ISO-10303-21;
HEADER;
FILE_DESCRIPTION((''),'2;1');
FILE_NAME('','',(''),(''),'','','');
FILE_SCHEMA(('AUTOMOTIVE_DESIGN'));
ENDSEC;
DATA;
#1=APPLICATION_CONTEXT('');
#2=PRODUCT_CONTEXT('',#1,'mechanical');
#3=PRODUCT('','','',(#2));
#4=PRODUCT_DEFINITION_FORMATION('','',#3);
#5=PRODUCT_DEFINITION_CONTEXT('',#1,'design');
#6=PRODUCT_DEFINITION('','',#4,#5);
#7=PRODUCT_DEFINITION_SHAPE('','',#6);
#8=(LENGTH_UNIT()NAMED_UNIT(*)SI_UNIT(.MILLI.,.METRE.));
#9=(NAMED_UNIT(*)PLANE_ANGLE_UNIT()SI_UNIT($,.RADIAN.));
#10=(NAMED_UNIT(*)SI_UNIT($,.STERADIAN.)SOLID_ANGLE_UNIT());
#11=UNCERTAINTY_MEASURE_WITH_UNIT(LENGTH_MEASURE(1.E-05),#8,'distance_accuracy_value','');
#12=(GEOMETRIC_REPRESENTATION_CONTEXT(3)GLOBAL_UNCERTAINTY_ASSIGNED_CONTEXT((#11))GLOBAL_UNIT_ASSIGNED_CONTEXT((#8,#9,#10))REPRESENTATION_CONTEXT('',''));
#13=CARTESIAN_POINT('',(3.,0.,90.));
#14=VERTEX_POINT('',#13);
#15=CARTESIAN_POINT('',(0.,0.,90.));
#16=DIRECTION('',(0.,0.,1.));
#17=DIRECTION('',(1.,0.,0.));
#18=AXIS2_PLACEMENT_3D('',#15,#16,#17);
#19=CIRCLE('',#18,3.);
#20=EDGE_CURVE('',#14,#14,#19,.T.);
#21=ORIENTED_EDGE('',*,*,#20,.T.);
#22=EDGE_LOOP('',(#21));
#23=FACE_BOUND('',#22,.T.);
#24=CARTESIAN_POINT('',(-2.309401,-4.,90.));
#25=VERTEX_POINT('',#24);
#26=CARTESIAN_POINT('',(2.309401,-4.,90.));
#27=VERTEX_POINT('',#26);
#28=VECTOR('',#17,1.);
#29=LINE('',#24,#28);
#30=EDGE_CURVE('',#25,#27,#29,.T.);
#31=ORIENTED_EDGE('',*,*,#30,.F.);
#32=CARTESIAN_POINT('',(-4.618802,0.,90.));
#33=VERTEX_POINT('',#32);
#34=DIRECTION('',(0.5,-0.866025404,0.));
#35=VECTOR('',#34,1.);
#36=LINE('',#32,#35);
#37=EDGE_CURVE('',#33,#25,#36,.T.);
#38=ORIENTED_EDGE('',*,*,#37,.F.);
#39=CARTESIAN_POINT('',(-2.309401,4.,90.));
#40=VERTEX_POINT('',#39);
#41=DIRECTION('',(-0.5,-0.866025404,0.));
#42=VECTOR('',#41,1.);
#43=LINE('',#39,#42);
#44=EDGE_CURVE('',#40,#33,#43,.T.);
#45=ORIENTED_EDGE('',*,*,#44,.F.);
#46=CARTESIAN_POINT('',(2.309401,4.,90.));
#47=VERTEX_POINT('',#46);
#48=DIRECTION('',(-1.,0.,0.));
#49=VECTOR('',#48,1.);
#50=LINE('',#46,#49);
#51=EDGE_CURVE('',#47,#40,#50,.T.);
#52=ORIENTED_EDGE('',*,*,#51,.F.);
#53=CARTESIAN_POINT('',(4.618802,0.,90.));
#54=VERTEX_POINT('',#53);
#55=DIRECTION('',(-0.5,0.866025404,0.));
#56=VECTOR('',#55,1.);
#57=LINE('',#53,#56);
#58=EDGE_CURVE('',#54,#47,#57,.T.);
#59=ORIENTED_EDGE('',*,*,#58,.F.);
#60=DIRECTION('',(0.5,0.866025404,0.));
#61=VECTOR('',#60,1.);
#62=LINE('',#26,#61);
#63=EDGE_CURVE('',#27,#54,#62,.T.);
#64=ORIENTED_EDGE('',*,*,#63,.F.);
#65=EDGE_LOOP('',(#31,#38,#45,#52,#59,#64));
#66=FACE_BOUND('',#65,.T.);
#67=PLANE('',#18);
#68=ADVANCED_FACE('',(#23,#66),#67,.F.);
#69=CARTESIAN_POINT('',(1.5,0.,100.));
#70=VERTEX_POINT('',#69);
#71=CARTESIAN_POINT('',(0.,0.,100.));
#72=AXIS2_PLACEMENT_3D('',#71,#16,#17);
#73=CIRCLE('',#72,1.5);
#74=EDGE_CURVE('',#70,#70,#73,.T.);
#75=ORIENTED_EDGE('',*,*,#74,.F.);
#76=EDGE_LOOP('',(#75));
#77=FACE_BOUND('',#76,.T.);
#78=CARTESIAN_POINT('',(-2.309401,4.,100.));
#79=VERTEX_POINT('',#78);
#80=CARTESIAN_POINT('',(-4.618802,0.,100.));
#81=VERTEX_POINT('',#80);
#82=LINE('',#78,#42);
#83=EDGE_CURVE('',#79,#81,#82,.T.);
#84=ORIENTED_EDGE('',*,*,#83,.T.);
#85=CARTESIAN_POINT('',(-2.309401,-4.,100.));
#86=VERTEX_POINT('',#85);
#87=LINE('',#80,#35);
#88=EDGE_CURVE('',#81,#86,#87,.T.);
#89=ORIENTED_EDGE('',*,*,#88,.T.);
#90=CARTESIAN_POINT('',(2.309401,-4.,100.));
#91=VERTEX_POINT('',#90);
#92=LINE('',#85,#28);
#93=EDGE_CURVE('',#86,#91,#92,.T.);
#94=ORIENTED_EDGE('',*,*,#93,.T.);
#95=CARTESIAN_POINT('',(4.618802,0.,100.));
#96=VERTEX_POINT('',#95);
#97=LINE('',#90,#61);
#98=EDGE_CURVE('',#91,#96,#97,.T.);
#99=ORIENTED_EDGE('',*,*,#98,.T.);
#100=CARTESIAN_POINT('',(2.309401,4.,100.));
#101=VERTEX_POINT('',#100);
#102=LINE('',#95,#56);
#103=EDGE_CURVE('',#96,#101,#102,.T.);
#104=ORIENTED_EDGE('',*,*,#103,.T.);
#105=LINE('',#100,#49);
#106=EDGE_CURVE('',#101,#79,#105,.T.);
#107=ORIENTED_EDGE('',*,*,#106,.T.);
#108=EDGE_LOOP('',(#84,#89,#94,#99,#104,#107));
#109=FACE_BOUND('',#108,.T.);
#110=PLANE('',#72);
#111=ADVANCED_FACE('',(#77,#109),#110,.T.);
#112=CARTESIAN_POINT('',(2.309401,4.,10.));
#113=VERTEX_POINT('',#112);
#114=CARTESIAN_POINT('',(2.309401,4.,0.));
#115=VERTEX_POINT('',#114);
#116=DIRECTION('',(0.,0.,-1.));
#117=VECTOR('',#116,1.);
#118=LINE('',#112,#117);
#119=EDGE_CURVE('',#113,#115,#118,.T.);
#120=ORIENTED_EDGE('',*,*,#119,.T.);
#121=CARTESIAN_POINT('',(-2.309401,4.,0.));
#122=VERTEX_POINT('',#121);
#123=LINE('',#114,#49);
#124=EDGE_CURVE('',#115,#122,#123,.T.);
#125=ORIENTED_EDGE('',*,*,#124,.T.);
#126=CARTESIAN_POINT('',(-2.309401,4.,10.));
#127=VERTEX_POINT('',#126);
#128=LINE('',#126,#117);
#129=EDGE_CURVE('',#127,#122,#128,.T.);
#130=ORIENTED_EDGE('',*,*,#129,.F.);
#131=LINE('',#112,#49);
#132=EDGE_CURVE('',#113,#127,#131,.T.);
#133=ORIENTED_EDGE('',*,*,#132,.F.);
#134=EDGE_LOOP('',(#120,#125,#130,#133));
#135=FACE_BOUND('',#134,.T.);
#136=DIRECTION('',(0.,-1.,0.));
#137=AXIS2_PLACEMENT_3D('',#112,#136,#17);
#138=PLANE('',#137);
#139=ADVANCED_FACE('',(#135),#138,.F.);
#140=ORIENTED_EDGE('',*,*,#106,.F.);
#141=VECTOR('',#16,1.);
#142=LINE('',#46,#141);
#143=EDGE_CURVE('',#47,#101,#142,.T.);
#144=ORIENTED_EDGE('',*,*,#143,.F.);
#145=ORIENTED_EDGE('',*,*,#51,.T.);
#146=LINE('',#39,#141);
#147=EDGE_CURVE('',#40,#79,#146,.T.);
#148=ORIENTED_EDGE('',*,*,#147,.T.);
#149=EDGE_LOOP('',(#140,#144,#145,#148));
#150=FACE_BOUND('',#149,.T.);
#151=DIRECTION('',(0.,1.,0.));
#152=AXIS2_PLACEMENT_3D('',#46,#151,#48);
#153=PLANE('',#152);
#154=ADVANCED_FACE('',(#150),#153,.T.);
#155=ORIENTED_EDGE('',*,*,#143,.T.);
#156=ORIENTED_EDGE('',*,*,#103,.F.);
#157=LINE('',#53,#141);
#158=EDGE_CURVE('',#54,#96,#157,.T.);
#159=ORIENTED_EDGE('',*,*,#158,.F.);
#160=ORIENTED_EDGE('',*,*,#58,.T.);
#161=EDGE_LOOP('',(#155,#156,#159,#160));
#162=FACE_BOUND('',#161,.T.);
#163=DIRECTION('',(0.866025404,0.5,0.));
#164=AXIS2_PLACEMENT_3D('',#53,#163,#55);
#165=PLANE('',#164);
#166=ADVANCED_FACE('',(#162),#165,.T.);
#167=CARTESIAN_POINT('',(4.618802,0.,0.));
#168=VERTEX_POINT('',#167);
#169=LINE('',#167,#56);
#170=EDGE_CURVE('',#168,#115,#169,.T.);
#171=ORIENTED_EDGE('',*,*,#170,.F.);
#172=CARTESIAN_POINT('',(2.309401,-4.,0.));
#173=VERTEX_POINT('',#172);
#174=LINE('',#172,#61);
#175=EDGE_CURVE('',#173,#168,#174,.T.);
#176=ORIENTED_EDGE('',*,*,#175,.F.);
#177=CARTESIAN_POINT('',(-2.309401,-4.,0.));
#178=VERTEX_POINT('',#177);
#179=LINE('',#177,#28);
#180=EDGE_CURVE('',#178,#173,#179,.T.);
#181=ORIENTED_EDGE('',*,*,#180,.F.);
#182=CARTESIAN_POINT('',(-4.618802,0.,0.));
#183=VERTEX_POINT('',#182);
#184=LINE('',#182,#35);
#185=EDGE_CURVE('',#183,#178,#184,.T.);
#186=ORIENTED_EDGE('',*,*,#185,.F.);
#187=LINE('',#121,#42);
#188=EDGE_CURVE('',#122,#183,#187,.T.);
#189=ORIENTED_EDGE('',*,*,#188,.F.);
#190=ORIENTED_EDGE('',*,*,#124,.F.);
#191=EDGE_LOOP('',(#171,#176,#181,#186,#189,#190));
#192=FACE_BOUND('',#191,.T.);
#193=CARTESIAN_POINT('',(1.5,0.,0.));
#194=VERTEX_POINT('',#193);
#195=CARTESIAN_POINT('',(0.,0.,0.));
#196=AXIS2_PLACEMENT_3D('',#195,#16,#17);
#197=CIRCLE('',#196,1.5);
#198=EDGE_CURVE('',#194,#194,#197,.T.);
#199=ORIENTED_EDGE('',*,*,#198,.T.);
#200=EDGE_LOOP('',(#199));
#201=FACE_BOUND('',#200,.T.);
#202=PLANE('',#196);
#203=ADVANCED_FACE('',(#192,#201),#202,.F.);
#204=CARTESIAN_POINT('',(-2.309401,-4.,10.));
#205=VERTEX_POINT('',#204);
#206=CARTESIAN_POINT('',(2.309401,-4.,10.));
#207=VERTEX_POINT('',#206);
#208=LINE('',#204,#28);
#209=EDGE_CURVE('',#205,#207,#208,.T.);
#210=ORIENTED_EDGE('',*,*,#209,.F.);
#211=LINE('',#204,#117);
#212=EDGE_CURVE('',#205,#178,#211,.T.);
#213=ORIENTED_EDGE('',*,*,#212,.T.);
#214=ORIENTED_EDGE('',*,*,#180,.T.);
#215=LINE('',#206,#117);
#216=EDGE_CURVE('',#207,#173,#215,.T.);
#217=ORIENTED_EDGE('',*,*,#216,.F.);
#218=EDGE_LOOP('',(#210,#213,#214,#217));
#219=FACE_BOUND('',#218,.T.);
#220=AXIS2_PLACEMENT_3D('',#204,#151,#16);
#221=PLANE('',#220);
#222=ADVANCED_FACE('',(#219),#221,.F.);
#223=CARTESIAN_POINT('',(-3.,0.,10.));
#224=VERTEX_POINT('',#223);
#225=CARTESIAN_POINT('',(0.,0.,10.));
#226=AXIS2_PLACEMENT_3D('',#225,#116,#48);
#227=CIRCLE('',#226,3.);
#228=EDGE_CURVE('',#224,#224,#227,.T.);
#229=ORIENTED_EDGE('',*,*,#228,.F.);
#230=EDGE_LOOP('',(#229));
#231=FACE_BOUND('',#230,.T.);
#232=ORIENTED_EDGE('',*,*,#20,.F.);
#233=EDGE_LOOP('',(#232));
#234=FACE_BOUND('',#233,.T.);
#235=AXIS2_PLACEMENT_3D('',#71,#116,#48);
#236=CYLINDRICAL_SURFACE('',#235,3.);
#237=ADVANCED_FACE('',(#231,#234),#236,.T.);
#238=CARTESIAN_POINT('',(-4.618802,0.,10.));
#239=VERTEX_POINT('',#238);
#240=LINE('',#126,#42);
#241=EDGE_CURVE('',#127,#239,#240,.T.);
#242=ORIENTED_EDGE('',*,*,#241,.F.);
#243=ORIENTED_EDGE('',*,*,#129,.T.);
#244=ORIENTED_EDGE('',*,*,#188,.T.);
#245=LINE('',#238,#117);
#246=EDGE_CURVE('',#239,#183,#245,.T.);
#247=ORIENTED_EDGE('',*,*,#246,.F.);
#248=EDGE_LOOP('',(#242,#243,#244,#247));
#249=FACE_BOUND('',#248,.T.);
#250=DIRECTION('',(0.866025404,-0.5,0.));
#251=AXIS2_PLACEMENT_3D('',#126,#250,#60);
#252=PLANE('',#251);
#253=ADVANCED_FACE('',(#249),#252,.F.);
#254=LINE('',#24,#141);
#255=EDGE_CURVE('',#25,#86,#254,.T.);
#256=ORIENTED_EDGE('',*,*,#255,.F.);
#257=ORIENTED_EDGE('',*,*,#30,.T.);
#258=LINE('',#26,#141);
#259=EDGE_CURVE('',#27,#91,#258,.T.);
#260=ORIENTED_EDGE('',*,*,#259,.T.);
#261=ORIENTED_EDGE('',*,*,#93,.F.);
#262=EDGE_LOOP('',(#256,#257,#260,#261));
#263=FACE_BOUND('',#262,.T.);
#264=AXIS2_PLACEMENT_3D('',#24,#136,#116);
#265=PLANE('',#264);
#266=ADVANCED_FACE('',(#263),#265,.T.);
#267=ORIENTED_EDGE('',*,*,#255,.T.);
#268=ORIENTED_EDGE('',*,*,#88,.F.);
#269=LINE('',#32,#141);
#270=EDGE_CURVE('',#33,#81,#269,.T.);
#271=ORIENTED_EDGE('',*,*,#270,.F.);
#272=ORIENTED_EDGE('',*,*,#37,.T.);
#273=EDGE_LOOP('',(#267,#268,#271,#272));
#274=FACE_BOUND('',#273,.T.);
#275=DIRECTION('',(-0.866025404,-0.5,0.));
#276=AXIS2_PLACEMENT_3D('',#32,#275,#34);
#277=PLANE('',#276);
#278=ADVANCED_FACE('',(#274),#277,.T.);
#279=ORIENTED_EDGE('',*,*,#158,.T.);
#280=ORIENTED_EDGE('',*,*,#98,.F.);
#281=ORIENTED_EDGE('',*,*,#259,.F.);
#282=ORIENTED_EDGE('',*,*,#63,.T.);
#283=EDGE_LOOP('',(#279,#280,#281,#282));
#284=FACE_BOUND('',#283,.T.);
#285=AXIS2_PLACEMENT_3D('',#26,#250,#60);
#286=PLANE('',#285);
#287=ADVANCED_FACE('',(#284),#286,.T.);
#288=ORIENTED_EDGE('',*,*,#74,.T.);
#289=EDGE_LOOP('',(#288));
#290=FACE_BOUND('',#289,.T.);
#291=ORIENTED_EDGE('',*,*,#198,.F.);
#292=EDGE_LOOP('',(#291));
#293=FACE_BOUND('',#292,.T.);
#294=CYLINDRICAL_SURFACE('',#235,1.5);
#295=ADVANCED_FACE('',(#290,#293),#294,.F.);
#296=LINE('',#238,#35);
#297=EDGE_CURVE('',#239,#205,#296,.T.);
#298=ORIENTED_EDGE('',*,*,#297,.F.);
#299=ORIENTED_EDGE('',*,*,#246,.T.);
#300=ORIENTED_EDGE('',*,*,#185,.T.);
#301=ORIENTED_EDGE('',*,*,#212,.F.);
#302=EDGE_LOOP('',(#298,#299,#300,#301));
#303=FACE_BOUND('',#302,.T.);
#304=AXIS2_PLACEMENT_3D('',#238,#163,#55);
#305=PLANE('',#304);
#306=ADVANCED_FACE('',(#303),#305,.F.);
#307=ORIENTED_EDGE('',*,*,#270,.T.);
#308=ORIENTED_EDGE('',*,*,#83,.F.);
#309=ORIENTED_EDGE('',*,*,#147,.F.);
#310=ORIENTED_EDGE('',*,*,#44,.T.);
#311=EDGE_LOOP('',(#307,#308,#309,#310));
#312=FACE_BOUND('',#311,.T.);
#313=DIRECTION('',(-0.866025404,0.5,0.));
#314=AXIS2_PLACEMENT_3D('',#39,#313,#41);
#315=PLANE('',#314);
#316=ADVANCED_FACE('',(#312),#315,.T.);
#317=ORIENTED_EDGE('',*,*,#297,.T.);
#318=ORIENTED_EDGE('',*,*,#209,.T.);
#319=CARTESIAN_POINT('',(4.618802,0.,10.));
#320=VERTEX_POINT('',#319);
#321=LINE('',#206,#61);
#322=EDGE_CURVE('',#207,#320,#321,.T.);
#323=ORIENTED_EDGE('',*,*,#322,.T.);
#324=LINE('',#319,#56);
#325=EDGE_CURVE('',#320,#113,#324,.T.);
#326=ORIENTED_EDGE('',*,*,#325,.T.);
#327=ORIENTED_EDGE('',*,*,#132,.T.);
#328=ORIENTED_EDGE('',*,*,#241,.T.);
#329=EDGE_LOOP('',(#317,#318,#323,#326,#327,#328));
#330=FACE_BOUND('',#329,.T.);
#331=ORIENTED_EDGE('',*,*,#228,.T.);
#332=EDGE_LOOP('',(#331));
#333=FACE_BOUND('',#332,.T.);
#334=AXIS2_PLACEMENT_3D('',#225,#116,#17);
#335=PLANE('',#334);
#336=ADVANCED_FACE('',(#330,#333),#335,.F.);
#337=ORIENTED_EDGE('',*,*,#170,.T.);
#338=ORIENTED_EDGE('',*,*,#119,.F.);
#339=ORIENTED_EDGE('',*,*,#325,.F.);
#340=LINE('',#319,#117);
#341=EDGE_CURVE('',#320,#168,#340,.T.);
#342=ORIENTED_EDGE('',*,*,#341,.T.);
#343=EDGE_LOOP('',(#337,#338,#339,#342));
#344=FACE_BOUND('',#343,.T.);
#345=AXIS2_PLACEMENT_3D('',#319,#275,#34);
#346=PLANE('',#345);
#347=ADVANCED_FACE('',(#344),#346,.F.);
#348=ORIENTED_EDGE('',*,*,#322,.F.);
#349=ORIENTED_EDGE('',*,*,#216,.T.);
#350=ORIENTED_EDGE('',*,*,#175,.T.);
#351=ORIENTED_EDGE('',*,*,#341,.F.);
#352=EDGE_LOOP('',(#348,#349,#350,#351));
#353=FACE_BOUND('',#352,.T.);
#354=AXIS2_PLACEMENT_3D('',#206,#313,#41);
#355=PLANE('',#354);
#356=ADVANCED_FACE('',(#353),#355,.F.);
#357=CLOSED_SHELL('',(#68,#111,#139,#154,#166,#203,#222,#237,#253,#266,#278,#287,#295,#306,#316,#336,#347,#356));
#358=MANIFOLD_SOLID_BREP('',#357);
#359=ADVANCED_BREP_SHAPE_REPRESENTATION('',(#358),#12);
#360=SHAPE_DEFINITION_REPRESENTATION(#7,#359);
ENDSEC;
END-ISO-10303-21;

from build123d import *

# Parameters (mm, degrees)
SKETCH1_R           = 3
SKETCH1_R_2         = 1.5
BOSS_EXTRUDE1_DEPTH = 100
SKETCH2_R           = 1.5
BOSS_EXTRUDE2_DEPTH = 10


with BuildPart() as part:
    # Sketch1 → Boss-Extrude1 (new body)
    with BuildSketch(Plane.XY):
        Circle(SKETCH1_R)
        Circle(SKETCH1_R_2, mode=Mode.SUBTRACT)
    extrude(amount=BOSS_EXTRUDE1_DEPTH)

    # Sketch2 → Boss-Extrude2 (add)
    with BuildSketch(Plane.XY.offset(100)):
        Polygon((4.618802154, 0), (2.309401077, 4), (-2.309401077, 4), (-4.618802154, 0), (-2.309401077, -4), (2.309401077, -4), align=None)
        Circle(SKETCH2_R, mode=Mode.SUBTRACT)
    boss_extrude2 = extrude(amount=-BOSS_EXTRUDE2_DEPTH)

    # Mirror1: Boss-Extrude2 across plane
    add(boss_extrude2.mirror(Plane.XY.offset(50)))


solid = part.part
